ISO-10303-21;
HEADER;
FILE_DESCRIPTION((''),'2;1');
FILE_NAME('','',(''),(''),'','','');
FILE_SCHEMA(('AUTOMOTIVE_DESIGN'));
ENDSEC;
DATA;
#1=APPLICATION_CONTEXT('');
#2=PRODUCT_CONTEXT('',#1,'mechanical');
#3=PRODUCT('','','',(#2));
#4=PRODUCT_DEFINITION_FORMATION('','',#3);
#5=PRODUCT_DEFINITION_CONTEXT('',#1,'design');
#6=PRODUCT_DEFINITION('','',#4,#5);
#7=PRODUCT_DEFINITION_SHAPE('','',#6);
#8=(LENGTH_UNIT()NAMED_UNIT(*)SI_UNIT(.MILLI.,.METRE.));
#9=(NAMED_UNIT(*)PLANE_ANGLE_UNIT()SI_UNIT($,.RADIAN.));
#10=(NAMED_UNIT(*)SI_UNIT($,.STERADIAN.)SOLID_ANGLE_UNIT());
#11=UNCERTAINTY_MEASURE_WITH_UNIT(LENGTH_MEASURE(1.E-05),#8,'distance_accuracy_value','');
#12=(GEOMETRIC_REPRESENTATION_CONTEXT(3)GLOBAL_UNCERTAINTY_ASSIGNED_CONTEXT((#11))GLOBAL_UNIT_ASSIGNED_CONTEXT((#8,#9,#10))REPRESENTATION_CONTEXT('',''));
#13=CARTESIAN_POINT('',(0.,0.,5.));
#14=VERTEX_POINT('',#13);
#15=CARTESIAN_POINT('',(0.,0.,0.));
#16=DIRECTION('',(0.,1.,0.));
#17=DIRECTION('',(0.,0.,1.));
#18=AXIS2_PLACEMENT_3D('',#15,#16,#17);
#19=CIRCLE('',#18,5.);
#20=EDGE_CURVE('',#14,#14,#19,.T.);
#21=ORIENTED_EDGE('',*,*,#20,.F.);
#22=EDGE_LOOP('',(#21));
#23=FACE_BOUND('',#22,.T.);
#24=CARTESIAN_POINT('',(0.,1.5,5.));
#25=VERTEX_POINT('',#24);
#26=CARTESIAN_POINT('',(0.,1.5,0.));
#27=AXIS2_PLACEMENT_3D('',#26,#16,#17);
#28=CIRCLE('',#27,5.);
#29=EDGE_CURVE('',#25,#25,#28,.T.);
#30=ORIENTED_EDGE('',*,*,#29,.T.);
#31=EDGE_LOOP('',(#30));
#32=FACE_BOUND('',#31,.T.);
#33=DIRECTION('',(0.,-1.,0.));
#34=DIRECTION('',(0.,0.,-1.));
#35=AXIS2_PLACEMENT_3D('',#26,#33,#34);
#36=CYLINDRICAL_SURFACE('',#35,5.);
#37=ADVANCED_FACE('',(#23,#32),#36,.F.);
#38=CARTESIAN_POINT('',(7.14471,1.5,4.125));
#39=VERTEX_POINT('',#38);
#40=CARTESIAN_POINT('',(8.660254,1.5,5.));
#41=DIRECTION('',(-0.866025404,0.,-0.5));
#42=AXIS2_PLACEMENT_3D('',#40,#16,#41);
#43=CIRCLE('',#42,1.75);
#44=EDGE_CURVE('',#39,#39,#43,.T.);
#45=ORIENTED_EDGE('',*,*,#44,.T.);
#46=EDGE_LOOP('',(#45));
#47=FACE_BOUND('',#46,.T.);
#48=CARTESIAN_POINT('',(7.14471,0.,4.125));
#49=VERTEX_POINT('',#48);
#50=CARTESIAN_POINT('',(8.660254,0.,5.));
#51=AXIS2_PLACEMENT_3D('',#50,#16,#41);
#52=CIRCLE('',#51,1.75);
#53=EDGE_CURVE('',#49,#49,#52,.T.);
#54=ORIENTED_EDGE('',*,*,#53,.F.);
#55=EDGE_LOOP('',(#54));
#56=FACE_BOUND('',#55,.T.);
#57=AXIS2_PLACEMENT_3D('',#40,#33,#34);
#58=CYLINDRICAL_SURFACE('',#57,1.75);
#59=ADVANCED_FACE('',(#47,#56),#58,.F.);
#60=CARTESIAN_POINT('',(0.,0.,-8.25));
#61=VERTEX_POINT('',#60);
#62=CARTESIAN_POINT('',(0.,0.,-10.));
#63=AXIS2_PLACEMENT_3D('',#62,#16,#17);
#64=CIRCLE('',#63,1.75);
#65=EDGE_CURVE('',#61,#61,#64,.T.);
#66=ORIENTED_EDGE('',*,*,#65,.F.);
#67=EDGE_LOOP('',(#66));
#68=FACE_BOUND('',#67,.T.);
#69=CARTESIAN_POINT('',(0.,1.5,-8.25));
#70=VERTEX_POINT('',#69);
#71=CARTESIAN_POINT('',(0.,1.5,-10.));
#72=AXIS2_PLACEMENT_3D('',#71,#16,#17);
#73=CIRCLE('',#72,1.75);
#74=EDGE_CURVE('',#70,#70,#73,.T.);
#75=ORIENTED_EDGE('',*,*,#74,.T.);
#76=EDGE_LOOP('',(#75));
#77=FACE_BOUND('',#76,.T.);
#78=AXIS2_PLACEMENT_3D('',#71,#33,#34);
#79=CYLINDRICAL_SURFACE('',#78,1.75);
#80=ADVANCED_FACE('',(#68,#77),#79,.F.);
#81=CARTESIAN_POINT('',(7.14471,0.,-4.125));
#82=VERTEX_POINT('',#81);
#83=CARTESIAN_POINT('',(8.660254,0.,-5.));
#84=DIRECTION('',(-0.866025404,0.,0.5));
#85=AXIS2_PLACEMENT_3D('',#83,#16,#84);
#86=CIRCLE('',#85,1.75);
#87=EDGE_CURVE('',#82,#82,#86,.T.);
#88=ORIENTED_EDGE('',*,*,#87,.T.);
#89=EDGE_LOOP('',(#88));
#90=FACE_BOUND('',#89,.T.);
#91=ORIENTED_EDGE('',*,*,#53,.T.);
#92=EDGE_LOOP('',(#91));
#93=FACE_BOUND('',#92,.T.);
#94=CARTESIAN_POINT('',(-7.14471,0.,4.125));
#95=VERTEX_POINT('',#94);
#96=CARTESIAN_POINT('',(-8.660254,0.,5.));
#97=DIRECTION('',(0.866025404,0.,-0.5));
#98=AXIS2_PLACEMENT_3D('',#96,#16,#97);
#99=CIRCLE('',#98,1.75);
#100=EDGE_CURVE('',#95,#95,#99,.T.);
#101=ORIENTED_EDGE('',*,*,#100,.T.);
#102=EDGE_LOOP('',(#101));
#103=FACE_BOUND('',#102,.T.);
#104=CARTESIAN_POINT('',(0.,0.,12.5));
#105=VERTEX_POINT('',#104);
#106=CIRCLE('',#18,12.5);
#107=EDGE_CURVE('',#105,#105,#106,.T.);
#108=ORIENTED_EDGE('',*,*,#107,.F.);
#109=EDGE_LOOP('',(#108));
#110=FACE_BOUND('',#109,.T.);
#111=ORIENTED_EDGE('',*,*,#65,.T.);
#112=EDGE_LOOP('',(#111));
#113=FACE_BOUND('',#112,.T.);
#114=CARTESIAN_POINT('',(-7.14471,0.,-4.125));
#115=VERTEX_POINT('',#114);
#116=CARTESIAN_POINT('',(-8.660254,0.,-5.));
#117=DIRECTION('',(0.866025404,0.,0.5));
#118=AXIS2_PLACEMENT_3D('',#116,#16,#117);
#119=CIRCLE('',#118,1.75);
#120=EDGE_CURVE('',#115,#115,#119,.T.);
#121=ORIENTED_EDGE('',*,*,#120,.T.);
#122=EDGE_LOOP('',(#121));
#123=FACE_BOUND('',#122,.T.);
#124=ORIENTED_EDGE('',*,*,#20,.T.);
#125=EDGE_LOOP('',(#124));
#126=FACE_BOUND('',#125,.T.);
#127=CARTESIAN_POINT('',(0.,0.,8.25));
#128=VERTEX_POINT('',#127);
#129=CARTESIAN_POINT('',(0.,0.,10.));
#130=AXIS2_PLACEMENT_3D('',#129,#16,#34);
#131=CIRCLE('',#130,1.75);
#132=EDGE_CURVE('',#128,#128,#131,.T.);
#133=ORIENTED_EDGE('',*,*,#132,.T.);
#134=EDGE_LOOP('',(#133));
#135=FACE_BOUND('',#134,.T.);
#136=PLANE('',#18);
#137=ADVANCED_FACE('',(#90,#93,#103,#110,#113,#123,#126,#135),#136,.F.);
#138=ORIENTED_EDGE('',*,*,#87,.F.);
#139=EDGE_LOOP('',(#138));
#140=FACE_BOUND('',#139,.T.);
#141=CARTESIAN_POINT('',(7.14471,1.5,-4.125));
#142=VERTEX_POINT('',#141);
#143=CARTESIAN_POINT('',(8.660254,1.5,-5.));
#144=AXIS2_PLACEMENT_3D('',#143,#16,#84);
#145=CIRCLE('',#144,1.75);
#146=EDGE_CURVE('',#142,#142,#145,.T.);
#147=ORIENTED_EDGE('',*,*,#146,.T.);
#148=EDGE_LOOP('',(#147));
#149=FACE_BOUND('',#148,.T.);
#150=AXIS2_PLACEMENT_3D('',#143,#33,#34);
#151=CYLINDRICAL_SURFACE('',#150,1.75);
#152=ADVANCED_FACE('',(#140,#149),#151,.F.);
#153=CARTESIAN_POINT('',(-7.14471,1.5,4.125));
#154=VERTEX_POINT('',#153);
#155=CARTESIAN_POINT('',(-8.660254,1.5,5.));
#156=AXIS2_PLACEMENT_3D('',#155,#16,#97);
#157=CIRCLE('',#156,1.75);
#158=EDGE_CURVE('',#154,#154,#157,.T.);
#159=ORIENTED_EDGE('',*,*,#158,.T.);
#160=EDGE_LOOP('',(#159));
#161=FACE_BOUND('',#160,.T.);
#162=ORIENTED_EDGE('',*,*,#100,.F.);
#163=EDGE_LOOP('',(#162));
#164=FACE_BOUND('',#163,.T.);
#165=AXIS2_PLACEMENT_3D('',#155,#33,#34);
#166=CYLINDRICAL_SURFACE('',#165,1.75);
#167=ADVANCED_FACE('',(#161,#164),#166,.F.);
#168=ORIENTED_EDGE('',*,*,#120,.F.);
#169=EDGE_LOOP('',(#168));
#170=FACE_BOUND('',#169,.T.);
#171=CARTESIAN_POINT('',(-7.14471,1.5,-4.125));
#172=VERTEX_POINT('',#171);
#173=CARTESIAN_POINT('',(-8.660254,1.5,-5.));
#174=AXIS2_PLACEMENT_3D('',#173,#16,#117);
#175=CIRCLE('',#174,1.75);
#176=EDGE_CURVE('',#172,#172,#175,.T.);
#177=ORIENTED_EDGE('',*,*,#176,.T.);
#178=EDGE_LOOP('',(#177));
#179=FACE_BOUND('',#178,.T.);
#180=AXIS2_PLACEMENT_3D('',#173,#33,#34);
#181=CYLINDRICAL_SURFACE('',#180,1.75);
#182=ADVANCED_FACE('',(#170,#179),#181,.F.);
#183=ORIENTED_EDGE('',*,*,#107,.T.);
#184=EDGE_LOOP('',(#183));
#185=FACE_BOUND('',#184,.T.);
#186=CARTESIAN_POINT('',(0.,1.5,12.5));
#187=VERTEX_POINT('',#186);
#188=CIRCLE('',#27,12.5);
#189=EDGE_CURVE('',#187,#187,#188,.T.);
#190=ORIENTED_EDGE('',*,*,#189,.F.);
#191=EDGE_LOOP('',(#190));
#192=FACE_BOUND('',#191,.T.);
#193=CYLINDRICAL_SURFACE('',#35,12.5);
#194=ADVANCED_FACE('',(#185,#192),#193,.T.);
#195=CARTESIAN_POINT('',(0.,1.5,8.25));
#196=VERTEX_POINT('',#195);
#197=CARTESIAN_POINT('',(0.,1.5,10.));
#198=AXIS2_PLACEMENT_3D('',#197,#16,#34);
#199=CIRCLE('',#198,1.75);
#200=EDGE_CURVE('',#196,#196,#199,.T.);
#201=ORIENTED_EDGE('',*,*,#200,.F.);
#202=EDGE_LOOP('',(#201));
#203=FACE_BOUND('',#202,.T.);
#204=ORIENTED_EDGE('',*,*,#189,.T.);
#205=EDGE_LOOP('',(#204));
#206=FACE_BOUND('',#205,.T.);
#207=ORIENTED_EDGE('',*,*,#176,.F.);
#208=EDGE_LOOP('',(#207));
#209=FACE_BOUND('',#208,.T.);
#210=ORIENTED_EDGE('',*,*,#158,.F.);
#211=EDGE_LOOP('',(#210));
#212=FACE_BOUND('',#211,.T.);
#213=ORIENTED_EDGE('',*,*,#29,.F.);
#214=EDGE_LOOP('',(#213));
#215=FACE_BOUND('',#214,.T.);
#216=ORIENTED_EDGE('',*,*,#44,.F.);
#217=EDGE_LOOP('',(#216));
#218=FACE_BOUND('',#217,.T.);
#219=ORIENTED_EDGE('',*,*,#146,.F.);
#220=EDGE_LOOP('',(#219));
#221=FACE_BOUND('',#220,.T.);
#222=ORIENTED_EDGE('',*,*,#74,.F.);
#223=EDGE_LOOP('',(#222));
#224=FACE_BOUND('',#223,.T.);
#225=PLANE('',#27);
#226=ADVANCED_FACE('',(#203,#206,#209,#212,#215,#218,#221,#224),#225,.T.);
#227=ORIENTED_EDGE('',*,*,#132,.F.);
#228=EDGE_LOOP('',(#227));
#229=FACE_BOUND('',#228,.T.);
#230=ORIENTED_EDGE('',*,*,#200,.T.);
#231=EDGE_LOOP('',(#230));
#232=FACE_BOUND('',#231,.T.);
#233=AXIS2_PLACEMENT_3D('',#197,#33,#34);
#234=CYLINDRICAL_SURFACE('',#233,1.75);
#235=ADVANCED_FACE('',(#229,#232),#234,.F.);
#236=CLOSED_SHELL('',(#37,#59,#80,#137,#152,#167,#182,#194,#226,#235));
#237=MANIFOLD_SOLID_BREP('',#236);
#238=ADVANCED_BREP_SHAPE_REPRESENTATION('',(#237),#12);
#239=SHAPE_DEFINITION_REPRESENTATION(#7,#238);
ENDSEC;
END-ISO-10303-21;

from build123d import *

# Parameters (mm, degrees)
SKETCH1_R           = 12.5
SKETCH1_R_2         = 5
BOSS_EXTRUDE1_DEPTH = 1.5
SKETCH2_R           = 1.75
CUT_EXTRUDE1_DEPTH  = 2.5
CIRPATTERN1_COUNT   = 6


with BuildPart() as part:
    # Sketch1 → Boss-Extrude1 (new body)
    with BuildSketch(Plane(origin=(0, 0, 0), x_dir=(1, 0, 0), z_dir=(0, 1, 0))):
        Circle(SKETCH1_R)
        Circle(SKETCH1_R_2, mode=Mode.SUBTRACT)
    extrude(amount=BOSS_EXTRUDE1_DEPTH)

    # Sketch2 → Cut-Extrude1 (cut, through all)
    with BuildSketch(Plane(origin=(0, 0, 0), x_dir=(1, 0, 0), z_dir=(0, 1, 0))):
        with Locations((0, 10)):
            Circle(SKETCH2_R)
    cut_extrude1 = extrude(amount=CUT_EXTRUDE1_DEPTH, mode=Mode.SUBTRACT)

    # CirPattern1: Cut-Extrude1 ×6 about axis
    cirpattern1_axis = Axis((0, 0, 0), (0, 1, 0))
    for i in range(1, CIRPATTERN1_COUNT):
        add(cut_extrude1.rotate(cirpattern1_axis, i * 360 / CIRPATTERN1_COUNT), mode=Mode.SUBTRACT)


solid = part.part
